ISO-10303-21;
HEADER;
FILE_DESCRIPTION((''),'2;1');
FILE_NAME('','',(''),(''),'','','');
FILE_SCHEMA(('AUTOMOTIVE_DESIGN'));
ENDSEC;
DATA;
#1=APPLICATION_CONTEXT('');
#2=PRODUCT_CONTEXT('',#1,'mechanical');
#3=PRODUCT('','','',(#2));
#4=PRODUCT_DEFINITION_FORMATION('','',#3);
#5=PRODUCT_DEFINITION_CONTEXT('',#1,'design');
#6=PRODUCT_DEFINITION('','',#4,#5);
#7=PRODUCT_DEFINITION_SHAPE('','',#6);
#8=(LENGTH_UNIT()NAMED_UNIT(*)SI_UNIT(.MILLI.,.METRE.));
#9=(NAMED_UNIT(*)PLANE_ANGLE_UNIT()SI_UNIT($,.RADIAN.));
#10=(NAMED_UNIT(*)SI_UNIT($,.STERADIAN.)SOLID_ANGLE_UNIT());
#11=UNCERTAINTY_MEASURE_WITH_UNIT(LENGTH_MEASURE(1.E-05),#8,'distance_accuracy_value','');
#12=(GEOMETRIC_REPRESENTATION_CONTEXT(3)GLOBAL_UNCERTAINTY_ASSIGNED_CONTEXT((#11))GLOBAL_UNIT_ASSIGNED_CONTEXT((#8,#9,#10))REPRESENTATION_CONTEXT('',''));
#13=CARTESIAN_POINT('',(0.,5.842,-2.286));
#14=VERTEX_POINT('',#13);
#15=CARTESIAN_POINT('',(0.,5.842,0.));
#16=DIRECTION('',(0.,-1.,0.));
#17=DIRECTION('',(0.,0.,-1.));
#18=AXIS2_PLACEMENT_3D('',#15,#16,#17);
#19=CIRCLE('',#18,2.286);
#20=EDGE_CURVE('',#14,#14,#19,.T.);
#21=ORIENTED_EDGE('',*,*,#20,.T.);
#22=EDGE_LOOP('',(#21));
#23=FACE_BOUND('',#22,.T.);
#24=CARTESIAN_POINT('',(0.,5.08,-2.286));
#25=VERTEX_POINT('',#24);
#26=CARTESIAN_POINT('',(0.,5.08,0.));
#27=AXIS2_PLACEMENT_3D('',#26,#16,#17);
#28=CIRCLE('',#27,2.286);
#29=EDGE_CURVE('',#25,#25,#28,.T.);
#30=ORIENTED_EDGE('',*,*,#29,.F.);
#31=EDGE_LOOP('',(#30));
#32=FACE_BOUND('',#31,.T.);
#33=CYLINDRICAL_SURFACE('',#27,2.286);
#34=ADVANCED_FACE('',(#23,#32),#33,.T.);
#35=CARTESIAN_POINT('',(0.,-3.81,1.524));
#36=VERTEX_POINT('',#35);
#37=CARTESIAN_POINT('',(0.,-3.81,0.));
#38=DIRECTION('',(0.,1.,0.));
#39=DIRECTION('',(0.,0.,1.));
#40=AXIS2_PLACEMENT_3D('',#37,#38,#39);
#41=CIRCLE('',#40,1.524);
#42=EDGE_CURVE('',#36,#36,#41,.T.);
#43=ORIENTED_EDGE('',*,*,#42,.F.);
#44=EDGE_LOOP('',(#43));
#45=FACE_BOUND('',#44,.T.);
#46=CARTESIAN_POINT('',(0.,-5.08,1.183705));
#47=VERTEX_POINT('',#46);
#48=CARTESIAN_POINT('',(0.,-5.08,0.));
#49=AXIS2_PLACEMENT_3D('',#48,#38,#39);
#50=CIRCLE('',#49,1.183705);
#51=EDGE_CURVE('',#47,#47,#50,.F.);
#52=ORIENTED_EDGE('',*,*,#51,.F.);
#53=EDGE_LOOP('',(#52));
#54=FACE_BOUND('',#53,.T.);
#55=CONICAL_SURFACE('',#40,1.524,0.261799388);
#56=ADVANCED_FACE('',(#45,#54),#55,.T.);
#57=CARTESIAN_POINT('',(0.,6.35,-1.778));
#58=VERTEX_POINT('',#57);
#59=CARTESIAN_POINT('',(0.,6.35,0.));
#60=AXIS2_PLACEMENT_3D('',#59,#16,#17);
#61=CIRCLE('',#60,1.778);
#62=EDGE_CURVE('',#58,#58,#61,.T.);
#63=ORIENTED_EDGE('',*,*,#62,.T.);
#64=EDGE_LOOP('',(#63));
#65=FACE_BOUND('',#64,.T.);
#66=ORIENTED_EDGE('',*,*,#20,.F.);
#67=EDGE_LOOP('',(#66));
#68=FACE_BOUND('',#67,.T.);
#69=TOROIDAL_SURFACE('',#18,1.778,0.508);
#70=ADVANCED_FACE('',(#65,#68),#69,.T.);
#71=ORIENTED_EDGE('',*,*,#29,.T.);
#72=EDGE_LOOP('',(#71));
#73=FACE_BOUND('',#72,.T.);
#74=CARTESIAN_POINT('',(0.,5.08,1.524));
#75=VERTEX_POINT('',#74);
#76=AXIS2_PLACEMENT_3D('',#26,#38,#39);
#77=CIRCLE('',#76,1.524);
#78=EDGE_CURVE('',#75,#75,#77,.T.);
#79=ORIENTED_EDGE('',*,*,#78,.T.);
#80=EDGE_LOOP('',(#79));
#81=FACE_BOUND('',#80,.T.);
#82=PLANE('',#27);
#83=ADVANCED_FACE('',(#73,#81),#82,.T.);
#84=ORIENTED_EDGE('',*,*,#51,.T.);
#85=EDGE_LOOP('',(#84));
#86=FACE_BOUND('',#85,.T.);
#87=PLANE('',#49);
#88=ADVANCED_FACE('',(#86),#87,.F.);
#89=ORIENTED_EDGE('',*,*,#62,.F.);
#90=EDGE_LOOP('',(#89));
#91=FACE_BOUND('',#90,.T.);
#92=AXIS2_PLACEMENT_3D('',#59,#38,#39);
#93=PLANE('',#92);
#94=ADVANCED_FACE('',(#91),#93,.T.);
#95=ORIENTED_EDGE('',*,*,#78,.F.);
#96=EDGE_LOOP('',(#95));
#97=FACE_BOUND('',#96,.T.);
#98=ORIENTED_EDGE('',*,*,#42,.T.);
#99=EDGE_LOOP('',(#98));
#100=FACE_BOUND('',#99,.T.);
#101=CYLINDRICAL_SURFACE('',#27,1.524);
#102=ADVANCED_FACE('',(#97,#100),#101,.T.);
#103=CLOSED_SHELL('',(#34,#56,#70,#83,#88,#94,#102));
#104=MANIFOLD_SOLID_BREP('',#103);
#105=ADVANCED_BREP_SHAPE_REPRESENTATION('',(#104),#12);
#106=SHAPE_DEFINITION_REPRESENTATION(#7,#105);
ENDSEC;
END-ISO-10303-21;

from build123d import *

# Parameters (mm, degrees)
SKETCH1_R           = 1.524
BOSS_EXTRUDE1_DEPTH = 5.08
CHAMFER1_SIZE       = 1.27
CHAMFER1_SIZE2      = 0.340295474


with BuildPart() as part:
    # Sketch1 → Boss-Extrude1 (new body, symmetric)
    with BuildSketch(Plane(origin=(0, 0, 0), x_dir=(1, 0, 0), z_dir=(0, 1, 0))):
        Circle(SKETCH1_R)
    extrude(amount=BOSS_EXTRUDE1_DEPTH, both=True)

    # Chamfer1
    chamfer1_edges = [part.edges().sort_by_distance(p)[0] for p in [
        (-1.524, -5.08, 0),
    ]]
    chamfer1_side = [part.faces().sort_by_distance(p)[0] for p in [
        (-1.524, 0, 0),
    ]]
    chamfer(chamfer1_edges, length=CHAMFER1_SIZE, length2=CHAMFER1_SIZE2, reference=chamfer1_side[0])

    # Sketch2 → Revolve1 (revolve)
    with BuildSketch(Plane.XY):
        with BuildLine():
            Line((0, 5.08), (2.286, 5.08))
            Line((2.286, 5.08), (2.286, 5.842))
            ThreePointArc((2.286, 5.842), (2.137210245, 6.201210245), (1.778, 6.35))
            Line((1.778, 6.35), (0, 6.35))
            Line((0, 6.35), (0, 5.08))
        make_face()
    revolve(axis=Axis((0, 5.08, 0), (0, 1, 0)))


solid = part.part
